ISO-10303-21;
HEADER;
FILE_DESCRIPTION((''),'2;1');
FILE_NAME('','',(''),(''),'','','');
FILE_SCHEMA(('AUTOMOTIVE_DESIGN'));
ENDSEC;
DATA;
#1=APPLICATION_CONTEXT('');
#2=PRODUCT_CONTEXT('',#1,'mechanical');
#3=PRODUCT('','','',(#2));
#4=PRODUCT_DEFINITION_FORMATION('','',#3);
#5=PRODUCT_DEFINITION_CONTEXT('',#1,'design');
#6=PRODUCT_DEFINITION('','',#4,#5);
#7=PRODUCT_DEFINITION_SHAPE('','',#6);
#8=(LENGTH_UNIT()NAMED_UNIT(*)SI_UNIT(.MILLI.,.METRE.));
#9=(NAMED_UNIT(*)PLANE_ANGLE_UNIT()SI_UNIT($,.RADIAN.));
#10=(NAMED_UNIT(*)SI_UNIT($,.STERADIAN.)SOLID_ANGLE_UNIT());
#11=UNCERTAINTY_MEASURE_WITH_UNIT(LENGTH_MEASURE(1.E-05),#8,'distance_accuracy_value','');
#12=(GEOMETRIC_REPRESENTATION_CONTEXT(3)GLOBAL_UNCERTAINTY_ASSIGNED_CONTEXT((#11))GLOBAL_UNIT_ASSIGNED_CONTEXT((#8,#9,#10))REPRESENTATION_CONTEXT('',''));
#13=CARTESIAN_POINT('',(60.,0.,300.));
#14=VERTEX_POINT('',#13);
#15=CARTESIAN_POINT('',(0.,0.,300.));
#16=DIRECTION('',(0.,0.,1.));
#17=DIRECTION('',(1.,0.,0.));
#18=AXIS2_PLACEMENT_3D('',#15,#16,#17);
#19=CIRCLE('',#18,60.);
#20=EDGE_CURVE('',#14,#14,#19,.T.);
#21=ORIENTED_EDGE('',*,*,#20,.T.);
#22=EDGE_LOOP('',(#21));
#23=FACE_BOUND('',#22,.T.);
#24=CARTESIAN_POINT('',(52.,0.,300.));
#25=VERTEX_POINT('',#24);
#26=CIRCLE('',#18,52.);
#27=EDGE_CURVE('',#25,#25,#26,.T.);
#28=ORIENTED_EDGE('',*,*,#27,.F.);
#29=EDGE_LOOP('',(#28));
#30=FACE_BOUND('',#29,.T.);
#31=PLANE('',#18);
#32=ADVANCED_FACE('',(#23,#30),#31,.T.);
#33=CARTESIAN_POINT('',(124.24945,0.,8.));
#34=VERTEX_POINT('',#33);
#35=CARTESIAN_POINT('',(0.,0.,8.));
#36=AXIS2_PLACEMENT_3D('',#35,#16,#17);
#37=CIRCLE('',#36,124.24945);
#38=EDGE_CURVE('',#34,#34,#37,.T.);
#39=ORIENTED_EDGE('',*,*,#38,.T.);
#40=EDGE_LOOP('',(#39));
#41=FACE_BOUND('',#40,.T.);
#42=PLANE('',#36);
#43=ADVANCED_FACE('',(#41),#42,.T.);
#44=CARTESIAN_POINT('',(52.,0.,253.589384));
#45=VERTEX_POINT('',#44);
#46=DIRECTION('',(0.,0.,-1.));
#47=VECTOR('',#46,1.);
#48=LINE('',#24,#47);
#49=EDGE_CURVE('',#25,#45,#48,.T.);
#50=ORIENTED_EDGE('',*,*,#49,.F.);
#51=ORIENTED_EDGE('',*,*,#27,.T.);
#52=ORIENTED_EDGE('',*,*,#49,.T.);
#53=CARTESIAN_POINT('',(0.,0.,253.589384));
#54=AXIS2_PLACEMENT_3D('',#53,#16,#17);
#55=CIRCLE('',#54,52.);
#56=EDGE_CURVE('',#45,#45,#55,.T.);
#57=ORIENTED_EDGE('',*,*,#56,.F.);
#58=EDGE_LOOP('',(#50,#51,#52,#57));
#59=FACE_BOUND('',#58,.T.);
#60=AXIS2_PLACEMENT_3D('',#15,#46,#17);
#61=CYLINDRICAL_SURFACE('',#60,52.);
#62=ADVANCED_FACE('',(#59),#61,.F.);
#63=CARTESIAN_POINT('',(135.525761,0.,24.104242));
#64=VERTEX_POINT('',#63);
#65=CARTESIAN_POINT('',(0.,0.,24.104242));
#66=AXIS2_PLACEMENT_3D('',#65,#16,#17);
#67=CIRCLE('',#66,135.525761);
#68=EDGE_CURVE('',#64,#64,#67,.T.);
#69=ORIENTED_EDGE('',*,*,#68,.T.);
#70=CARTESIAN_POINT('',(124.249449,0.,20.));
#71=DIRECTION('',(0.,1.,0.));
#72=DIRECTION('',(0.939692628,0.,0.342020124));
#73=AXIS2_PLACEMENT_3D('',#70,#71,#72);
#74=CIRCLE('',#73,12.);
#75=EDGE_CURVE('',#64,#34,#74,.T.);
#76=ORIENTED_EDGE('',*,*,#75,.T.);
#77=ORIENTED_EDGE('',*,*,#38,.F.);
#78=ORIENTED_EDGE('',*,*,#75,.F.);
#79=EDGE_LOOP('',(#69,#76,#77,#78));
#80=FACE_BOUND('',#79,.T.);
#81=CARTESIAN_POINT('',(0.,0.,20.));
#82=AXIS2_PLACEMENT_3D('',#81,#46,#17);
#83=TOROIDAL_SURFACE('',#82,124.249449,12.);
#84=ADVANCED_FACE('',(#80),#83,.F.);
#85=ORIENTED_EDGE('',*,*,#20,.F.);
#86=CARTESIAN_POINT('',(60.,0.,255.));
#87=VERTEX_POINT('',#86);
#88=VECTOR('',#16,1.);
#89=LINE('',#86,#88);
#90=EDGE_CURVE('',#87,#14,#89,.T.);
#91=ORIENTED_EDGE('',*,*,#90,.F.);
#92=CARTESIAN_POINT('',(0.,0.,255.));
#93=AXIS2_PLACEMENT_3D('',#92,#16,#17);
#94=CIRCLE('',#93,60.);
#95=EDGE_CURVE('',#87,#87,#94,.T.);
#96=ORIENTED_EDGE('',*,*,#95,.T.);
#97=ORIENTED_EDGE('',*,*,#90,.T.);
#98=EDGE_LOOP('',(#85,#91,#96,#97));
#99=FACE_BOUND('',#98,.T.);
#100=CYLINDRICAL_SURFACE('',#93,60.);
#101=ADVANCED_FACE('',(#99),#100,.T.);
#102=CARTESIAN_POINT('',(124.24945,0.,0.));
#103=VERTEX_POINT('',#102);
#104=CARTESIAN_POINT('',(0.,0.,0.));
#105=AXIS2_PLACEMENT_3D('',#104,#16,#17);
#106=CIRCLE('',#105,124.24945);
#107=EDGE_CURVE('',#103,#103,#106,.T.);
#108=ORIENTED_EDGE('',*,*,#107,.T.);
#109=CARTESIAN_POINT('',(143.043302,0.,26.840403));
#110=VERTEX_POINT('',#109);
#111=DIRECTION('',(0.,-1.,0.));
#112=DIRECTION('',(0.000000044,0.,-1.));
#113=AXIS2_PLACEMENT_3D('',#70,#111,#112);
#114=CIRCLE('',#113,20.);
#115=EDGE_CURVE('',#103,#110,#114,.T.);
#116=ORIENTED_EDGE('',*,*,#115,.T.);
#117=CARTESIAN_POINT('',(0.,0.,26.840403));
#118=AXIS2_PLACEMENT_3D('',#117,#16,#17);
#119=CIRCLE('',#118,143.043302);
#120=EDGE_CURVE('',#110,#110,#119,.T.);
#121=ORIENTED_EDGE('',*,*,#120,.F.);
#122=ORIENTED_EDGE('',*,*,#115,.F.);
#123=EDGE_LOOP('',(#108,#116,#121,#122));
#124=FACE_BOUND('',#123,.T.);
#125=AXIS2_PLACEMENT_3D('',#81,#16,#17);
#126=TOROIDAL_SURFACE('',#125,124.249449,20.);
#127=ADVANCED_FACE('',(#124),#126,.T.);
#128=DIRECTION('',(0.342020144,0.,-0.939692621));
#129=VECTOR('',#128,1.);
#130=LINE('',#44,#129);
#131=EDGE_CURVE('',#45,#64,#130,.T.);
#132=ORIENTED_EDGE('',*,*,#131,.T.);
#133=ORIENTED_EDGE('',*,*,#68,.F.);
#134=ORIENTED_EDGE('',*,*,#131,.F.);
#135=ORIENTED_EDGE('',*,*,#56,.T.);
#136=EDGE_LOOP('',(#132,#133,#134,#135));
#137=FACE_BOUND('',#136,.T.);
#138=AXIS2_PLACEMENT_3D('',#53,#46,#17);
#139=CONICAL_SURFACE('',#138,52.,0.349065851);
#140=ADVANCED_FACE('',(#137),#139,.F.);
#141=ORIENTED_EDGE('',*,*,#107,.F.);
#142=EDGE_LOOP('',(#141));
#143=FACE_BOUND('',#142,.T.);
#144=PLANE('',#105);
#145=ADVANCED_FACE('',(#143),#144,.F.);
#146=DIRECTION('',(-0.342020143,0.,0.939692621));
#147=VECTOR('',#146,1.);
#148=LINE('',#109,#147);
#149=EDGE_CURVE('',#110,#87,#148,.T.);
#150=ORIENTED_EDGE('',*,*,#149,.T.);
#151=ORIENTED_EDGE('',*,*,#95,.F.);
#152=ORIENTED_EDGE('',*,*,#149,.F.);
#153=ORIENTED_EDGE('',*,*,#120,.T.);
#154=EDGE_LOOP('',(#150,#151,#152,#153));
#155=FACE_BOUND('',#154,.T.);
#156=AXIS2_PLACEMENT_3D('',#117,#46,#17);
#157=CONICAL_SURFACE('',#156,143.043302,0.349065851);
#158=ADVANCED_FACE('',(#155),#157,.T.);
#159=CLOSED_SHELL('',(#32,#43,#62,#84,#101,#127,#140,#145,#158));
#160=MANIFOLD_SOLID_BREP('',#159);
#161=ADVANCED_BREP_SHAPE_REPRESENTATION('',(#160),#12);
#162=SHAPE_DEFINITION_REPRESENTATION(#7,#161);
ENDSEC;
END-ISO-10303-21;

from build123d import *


with BuildPart() as f1:
    # F0 (on Front) → F1 (revolve)
    with BuildSketch(Plane.XZ):
        with BuildLine():
            Line((0, 8), (0, 0))
            Line((0, 0), (124.24945, 0))
            ThreePointArc((124.24945, 0), (140.63249, 8.528471), (143.043302, 26.840403))
            Line((143.043302, 26.840403), (60, 255))
            Line((60, 255), (60, 300))
            Line((60, 300), (52, 300))
            Line((52, 300), (52, 253.589384))
            Line((52, 253.589384), (135.525761, 24.104242))
            ThreePointArc((135.525761, 24.104242), (134.079274, 13.117083), (124.24945, 8))
            Line((124.24945, 8), (0, 8))
        make_face()
    revolve(axis=Axis((0, 0, 4), (0, 0, 1)))


solid = f1.part
